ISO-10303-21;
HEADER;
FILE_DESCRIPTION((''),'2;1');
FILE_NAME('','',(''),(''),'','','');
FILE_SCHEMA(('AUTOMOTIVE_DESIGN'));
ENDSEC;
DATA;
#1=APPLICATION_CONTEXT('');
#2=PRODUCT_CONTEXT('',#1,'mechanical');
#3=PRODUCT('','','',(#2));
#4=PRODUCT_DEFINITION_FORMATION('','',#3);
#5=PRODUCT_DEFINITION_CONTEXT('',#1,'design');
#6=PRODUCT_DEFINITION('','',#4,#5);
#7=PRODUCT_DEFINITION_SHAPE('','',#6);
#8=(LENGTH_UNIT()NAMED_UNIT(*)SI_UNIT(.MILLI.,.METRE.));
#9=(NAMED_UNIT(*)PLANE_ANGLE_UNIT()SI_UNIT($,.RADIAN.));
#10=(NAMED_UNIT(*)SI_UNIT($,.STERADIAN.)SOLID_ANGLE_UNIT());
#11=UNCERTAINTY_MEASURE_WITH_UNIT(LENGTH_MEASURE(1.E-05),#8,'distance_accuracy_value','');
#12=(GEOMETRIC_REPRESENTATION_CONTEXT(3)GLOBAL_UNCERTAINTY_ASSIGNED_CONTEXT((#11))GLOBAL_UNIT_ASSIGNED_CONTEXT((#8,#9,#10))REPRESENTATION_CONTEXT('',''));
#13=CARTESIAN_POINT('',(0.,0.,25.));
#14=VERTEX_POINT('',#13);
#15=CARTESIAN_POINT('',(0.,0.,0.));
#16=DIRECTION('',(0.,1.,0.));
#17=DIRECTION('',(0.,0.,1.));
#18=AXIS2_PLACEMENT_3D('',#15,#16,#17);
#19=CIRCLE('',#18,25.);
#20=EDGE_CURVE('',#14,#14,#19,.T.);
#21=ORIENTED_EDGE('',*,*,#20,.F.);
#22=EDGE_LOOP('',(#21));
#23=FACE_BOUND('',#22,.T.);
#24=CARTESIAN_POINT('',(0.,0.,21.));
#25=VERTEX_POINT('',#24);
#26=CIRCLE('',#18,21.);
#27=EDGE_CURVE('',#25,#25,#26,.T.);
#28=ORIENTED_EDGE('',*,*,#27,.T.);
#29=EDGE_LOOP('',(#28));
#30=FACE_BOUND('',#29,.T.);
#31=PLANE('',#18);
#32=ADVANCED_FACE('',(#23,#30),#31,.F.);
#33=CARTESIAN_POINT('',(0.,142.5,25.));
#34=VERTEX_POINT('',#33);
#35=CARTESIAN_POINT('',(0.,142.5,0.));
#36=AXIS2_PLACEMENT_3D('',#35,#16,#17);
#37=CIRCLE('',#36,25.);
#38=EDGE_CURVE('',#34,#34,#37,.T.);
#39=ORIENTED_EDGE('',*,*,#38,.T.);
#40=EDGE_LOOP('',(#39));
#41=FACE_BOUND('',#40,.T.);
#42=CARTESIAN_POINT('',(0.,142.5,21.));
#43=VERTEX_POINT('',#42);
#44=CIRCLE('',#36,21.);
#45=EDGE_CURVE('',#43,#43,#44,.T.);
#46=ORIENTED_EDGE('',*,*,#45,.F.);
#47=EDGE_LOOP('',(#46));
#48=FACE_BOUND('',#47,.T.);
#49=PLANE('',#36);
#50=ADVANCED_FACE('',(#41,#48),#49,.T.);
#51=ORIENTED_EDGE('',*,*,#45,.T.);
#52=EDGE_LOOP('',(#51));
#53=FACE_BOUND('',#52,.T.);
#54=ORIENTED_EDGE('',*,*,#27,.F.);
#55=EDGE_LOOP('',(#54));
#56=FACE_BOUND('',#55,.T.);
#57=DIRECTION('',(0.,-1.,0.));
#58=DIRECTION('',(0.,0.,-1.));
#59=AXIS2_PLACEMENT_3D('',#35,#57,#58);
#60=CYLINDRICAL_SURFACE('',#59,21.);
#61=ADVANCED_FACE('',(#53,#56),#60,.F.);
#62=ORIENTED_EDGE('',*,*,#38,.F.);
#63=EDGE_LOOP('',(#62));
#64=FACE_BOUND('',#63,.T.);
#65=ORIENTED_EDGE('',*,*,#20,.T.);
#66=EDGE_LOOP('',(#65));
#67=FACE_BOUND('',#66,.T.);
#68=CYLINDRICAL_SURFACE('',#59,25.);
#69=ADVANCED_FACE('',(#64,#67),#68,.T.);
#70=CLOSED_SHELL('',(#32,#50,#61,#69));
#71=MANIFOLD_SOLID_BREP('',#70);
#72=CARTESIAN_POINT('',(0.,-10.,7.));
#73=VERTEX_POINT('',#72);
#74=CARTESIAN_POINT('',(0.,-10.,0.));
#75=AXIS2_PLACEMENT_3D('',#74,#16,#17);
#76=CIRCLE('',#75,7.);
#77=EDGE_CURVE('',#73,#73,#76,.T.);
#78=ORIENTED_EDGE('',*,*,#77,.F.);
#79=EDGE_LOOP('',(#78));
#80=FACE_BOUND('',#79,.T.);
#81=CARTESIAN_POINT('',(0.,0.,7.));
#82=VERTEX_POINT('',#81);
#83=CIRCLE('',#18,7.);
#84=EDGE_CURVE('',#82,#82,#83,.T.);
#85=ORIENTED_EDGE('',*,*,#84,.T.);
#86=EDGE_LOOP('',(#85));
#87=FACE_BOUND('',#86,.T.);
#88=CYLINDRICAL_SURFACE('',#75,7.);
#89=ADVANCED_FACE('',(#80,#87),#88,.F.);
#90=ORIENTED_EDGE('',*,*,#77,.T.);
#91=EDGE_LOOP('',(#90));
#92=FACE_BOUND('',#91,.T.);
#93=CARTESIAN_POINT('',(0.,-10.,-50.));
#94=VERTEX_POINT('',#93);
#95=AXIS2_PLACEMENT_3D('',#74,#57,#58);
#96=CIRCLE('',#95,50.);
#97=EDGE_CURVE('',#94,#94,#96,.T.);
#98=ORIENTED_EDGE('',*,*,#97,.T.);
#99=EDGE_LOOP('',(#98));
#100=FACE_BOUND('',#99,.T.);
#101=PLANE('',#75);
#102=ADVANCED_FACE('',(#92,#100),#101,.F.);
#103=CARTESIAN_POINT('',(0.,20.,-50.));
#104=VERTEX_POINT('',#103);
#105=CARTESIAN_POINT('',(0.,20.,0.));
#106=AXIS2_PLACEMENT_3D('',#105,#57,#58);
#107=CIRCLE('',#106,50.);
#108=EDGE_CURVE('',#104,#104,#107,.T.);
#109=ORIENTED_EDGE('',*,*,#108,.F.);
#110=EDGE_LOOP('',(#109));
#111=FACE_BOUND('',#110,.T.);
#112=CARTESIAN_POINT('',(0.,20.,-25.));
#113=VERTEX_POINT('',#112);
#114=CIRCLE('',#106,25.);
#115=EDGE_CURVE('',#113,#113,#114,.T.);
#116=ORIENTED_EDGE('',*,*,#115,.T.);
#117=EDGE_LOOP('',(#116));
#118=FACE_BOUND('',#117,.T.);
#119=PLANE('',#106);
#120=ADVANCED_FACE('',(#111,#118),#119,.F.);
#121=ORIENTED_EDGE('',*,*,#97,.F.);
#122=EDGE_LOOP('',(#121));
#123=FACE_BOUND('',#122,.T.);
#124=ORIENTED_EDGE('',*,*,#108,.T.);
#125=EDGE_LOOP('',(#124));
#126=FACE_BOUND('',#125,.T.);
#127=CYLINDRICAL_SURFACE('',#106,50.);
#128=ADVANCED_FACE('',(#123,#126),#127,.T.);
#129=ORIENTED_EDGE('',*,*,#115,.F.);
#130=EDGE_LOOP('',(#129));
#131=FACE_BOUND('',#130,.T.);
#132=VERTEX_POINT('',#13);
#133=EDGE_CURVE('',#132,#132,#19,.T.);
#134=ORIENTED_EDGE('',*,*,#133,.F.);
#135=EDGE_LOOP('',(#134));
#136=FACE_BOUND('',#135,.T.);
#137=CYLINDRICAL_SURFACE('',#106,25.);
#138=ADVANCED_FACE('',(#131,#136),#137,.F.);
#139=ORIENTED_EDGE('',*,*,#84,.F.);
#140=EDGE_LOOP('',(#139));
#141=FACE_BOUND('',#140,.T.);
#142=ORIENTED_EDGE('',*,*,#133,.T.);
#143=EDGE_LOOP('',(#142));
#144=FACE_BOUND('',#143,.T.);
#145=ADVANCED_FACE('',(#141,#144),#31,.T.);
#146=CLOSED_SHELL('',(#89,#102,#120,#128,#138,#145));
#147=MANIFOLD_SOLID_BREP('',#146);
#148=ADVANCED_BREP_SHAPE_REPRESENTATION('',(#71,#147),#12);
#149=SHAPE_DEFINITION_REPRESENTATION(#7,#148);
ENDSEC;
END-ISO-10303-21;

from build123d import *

# Parameters (mm, degrees)
ESBO_O1_R                = 25
ESBO_O1_R_2              = 21
RESSALTO_EXTRUS_O1_DEPTH = 142.5
ESBO_O1_4_R              = 25
ESBO_O1_4_R_2            = 7
RESSALTO_EXTRUS_O2_DEPTH = 10
ESBO_O2_R                = 50
ESBO_O2_R_2              = 25
RESSALTO_EXTRUS_O3_DEPTH = 30


with BuildPart() as part:
    # Esboço1 → Ressalto-extrusão1 (new body)
    with BuildSketch(Plane(origin=(0, 0, 0), x_dir=(1, 0, 0), z_dir=(0, 1, 0))):
        Circle(ESBO_O1_R)
        Circle(ESBO_O1_R_2, mode=Mode.SUBTRACT)
    extrude(amount=RESSALTO_EXTRUS_O1_DEPTH)


with BuildPart() as body_2:
    # Esboço1<4> → Ressalto-extrusão2 (new body)
    with BuildSketch(Plane(origin=(0, 0, 0), x_dir=(1, 0, 0), z_dir=(0, 1, 0))):
        Circle(ESBO_O1_4_R)
        Circle(ESBO_O1_4_R_2, mode=Mode.SUBTRACT)
    extrude(amount=-RESSALTO_EXTRUS_O2_DEPTH)


with BuildPart() as body_3:
    # Esboço2 → Ressalto-extrusão3 (new body)
    with BuildSketch(Plane.XZ.offset(10)):
        Circle(ESBO_O2_R)
        Circle(ESBO_O2_R_2, mode=Mode.SUBTRACT)
    extrude(amount=-RESSALTO_EXTRUS_O3_DEPTH)


with BuildPart() as body_2_1:
    add(body_2.part)

    # Combinar1: union body 3
    add(body_3.part)


solid = Compound([part.part, body_2_1.part])
